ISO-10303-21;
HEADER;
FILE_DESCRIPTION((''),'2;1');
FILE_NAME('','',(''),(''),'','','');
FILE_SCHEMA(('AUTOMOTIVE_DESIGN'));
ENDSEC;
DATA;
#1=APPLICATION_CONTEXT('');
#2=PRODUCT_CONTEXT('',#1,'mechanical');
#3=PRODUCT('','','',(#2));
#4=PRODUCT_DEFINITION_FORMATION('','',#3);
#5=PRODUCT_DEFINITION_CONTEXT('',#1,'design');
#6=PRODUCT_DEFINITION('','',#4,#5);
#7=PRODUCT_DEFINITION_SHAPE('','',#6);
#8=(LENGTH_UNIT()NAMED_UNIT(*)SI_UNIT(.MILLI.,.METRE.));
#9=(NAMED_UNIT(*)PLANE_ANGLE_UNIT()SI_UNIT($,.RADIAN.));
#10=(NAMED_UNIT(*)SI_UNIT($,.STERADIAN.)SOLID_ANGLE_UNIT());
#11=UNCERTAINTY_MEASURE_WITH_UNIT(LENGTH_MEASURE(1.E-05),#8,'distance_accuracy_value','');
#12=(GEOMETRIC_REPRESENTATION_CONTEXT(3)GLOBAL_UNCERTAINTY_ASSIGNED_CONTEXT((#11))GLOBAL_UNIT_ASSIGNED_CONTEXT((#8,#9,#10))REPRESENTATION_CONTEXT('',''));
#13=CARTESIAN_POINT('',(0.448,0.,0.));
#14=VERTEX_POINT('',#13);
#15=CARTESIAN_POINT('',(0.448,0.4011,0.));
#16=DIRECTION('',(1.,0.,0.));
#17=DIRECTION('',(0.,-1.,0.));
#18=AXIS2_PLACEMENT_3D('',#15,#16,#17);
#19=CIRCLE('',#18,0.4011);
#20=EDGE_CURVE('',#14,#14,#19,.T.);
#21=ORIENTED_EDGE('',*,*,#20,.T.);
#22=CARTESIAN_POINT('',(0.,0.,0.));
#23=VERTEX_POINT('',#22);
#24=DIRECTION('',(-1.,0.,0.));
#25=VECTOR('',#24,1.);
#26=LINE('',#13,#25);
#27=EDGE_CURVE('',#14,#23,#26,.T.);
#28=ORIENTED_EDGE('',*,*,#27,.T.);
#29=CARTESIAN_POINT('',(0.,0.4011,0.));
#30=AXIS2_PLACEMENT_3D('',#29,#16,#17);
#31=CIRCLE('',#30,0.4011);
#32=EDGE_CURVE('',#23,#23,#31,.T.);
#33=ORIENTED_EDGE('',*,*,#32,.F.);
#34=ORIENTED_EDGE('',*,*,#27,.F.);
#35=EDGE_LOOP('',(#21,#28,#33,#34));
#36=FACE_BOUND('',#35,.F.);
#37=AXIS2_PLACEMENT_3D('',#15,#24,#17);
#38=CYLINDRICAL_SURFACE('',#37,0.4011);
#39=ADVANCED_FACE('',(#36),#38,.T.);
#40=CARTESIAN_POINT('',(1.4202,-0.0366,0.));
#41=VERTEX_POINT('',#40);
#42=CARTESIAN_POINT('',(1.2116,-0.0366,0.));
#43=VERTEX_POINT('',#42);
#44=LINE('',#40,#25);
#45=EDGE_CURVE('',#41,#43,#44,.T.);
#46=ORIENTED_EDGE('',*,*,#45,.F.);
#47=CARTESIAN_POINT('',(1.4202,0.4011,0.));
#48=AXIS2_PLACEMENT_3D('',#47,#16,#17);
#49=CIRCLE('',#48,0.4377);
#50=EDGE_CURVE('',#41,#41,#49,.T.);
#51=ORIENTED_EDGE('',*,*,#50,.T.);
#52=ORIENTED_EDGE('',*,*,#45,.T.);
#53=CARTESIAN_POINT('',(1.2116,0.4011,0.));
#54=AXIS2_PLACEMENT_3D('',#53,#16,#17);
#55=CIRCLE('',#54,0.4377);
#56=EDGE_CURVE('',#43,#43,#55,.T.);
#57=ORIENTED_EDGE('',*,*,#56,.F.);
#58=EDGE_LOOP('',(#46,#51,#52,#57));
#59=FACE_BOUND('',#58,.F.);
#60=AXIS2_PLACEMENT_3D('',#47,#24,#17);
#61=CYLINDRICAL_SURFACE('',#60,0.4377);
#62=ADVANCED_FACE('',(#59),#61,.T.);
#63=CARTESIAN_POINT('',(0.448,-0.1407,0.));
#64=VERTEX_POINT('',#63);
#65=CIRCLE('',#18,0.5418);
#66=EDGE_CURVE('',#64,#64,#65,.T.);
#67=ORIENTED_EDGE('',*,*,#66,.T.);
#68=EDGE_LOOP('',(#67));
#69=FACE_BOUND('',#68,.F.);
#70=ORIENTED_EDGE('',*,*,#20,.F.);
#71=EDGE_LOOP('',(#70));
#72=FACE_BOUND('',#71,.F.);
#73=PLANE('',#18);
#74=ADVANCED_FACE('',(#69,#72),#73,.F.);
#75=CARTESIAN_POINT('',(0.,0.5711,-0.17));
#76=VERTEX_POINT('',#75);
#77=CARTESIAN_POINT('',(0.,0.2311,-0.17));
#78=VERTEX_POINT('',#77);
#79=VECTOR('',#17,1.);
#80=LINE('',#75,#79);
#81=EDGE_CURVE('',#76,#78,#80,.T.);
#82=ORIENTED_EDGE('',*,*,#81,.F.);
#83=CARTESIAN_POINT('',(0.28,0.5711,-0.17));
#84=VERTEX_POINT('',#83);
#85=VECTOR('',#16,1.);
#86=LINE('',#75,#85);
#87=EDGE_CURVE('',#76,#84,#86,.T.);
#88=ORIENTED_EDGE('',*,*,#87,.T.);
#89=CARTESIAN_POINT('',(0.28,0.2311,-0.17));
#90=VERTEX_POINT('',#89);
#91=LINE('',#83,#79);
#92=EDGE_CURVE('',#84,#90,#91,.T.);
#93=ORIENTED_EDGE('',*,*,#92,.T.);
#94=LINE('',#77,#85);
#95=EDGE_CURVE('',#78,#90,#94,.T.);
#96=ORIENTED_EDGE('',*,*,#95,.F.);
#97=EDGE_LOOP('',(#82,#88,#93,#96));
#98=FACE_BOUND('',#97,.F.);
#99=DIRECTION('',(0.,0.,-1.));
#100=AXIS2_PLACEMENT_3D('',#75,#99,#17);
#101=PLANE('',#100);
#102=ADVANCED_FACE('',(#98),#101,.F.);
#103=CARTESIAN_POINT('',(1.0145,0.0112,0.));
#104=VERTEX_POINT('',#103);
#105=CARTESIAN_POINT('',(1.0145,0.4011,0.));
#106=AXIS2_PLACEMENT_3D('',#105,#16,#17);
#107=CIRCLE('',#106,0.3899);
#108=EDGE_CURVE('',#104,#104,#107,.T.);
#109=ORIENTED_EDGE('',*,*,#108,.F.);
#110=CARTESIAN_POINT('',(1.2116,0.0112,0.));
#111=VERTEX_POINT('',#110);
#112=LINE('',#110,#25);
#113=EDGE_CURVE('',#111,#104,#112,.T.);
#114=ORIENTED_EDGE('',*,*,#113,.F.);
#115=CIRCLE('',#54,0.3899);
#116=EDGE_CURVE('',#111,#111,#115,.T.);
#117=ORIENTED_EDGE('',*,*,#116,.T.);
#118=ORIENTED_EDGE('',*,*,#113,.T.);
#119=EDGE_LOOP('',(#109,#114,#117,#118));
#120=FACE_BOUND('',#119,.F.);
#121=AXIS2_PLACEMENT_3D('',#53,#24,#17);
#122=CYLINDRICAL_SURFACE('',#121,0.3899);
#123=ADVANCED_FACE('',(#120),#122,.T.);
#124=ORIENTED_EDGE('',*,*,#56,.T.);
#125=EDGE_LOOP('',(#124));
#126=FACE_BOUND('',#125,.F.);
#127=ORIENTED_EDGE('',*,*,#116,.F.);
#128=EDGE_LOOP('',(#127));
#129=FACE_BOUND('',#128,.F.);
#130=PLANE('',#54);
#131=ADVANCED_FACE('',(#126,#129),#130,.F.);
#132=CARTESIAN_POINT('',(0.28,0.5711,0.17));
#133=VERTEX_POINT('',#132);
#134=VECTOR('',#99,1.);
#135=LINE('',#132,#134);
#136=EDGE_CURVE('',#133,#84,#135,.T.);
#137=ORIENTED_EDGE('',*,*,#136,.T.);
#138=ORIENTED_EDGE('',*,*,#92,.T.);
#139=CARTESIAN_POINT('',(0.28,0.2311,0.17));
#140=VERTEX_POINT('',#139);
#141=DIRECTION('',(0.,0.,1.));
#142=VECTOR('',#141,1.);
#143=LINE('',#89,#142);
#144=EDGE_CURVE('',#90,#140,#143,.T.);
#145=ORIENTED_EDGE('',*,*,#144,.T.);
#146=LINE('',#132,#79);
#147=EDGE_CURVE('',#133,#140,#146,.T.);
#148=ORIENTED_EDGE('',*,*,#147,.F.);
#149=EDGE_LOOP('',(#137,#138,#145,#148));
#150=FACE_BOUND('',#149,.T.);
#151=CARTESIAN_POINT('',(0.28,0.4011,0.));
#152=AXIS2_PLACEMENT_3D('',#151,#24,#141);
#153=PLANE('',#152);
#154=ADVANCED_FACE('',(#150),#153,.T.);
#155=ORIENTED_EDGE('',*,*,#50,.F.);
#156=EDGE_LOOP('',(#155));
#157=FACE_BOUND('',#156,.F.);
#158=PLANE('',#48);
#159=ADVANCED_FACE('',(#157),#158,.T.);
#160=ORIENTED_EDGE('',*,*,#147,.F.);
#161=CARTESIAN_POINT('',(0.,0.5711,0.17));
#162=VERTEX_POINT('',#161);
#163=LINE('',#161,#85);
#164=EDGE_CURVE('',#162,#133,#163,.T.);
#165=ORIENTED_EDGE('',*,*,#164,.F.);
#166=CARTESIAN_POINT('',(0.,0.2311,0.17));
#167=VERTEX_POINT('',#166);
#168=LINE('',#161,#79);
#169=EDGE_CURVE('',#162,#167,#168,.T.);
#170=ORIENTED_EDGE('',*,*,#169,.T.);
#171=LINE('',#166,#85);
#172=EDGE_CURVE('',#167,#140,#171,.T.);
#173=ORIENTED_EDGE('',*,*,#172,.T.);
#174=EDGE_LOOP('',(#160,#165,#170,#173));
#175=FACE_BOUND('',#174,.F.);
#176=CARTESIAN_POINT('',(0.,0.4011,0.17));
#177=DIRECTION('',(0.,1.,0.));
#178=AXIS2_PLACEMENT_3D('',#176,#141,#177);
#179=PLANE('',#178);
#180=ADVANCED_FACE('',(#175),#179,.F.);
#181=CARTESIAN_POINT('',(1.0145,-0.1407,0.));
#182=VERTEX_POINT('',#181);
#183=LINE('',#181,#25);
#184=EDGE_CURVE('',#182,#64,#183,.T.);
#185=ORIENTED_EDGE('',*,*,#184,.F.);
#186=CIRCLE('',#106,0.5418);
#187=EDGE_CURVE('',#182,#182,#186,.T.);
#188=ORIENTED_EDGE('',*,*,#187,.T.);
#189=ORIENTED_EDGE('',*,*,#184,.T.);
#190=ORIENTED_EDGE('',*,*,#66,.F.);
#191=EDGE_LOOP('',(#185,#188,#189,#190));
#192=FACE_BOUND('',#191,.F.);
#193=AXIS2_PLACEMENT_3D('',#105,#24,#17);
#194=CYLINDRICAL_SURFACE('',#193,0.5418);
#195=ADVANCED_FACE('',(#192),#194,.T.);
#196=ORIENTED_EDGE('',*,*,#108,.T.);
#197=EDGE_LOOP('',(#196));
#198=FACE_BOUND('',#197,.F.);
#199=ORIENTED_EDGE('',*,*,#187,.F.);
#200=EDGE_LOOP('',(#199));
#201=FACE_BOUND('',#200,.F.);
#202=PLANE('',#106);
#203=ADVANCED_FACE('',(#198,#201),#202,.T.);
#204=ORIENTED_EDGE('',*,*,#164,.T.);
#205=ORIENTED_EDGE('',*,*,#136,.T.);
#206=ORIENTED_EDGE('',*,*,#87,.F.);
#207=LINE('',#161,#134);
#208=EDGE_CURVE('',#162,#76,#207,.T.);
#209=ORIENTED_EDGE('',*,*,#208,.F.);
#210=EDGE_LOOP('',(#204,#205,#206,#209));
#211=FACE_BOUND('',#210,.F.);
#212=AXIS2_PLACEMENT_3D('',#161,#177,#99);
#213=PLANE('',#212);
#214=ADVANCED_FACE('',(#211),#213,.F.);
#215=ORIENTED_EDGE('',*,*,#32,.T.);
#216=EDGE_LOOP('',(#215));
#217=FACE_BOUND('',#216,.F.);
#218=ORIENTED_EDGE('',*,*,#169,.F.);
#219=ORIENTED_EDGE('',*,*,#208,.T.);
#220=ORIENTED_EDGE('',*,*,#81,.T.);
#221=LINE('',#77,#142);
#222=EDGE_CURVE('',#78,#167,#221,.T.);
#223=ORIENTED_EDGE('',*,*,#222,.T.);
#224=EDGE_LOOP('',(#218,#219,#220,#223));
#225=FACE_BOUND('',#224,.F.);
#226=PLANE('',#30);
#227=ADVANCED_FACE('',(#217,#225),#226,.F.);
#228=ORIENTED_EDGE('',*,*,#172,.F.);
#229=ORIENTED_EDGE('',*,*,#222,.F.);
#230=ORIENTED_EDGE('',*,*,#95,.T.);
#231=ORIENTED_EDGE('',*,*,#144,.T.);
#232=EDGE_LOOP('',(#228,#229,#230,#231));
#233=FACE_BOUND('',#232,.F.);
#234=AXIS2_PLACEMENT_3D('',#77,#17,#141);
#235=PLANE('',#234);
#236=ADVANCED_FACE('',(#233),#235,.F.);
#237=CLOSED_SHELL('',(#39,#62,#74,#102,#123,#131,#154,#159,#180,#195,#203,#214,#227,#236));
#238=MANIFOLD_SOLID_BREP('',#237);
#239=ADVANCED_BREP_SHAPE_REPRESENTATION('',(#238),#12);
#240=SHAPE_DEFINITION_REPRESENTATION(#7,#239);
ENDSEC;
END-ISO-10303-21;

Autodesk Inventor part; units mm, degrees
ref_plane "YZ Plane" through (0, 0, 0) normal (1, 0, 0) x (0, 1, 0)
ref_plane "XZ Plane" through (0, 0, 0) normal (0, 1, 0) x (-1, 0, 0)
ref_plane "XY Plane" through (0, 0, 0) normal (0, 0, 1) x (1, 0, 0)
sketch "Boceto1" plane through (0, 0, 0) normal (0, 0, 1) x (1, 0, 0)
  line L0 (0.448, 0.4011) -> (0.448, 0)
  line L1 (0.448, 0) -> (0, 0)
  line L2 (0, 0) -> (0, 0.4011)
  line L3 (1.0145, -0.1407) -> (0.448, -0.1407)
  line L4 (0.448, -0.1407) -> (0.448, 0.4011)
  line L5 (1.2116, 0.4011) -> (1.2116, 0.0112)
  line L6 (1.2116, 0.0112) -> (1.0145, 0.0112)
  line L7 (1.0145, 0.0112) -> (1.0145, 0.4011)
  line L8 (1.4202, 0.4011) -> (1.4202, -0.0366)
  line L9 (1.4202, -0.0366) -> (1.2116, -0.0366)
  line L10 (0, 0.4011) -> (1.4202, 0.4011)
  line L11 (1.2116, -0.0366) -> (1.2116, 0.4011)
  line L12 (1.0145, 0.4011) -> (1.0145, -0.1407)
revolve "Revolución1" add sketch "Boceto1" angle 360 about axis through (0, 0.4011, 0) along (1, 0, 0)
sketch "Boceto2" plane through (0, 0.4011, 0) normal (-1, 0, 0) x (0, 0, 1)
  circle A0 centre (0, 0) radius 0.4011 projected
  line L0 (0.17, 0) -> (0.17, 0.17)
  line L1 (0.17, 0.17) -> (-0.17, 0.17)
  line L2 (-0.17, 0.17) -> (-0.17, -0.17)
  line L3 (-0.17, -0.17) -> (0.17, -0.17)
  line L4 (0.17, -0.17) -> (0.17, 0)
  point P0 (0, -0.4011)
extrude "Extrusión1" cut sketch "Boceto2" against normal blind 0.28 contours L4 L3 L2 L1 L0
properties part number "ET21"
